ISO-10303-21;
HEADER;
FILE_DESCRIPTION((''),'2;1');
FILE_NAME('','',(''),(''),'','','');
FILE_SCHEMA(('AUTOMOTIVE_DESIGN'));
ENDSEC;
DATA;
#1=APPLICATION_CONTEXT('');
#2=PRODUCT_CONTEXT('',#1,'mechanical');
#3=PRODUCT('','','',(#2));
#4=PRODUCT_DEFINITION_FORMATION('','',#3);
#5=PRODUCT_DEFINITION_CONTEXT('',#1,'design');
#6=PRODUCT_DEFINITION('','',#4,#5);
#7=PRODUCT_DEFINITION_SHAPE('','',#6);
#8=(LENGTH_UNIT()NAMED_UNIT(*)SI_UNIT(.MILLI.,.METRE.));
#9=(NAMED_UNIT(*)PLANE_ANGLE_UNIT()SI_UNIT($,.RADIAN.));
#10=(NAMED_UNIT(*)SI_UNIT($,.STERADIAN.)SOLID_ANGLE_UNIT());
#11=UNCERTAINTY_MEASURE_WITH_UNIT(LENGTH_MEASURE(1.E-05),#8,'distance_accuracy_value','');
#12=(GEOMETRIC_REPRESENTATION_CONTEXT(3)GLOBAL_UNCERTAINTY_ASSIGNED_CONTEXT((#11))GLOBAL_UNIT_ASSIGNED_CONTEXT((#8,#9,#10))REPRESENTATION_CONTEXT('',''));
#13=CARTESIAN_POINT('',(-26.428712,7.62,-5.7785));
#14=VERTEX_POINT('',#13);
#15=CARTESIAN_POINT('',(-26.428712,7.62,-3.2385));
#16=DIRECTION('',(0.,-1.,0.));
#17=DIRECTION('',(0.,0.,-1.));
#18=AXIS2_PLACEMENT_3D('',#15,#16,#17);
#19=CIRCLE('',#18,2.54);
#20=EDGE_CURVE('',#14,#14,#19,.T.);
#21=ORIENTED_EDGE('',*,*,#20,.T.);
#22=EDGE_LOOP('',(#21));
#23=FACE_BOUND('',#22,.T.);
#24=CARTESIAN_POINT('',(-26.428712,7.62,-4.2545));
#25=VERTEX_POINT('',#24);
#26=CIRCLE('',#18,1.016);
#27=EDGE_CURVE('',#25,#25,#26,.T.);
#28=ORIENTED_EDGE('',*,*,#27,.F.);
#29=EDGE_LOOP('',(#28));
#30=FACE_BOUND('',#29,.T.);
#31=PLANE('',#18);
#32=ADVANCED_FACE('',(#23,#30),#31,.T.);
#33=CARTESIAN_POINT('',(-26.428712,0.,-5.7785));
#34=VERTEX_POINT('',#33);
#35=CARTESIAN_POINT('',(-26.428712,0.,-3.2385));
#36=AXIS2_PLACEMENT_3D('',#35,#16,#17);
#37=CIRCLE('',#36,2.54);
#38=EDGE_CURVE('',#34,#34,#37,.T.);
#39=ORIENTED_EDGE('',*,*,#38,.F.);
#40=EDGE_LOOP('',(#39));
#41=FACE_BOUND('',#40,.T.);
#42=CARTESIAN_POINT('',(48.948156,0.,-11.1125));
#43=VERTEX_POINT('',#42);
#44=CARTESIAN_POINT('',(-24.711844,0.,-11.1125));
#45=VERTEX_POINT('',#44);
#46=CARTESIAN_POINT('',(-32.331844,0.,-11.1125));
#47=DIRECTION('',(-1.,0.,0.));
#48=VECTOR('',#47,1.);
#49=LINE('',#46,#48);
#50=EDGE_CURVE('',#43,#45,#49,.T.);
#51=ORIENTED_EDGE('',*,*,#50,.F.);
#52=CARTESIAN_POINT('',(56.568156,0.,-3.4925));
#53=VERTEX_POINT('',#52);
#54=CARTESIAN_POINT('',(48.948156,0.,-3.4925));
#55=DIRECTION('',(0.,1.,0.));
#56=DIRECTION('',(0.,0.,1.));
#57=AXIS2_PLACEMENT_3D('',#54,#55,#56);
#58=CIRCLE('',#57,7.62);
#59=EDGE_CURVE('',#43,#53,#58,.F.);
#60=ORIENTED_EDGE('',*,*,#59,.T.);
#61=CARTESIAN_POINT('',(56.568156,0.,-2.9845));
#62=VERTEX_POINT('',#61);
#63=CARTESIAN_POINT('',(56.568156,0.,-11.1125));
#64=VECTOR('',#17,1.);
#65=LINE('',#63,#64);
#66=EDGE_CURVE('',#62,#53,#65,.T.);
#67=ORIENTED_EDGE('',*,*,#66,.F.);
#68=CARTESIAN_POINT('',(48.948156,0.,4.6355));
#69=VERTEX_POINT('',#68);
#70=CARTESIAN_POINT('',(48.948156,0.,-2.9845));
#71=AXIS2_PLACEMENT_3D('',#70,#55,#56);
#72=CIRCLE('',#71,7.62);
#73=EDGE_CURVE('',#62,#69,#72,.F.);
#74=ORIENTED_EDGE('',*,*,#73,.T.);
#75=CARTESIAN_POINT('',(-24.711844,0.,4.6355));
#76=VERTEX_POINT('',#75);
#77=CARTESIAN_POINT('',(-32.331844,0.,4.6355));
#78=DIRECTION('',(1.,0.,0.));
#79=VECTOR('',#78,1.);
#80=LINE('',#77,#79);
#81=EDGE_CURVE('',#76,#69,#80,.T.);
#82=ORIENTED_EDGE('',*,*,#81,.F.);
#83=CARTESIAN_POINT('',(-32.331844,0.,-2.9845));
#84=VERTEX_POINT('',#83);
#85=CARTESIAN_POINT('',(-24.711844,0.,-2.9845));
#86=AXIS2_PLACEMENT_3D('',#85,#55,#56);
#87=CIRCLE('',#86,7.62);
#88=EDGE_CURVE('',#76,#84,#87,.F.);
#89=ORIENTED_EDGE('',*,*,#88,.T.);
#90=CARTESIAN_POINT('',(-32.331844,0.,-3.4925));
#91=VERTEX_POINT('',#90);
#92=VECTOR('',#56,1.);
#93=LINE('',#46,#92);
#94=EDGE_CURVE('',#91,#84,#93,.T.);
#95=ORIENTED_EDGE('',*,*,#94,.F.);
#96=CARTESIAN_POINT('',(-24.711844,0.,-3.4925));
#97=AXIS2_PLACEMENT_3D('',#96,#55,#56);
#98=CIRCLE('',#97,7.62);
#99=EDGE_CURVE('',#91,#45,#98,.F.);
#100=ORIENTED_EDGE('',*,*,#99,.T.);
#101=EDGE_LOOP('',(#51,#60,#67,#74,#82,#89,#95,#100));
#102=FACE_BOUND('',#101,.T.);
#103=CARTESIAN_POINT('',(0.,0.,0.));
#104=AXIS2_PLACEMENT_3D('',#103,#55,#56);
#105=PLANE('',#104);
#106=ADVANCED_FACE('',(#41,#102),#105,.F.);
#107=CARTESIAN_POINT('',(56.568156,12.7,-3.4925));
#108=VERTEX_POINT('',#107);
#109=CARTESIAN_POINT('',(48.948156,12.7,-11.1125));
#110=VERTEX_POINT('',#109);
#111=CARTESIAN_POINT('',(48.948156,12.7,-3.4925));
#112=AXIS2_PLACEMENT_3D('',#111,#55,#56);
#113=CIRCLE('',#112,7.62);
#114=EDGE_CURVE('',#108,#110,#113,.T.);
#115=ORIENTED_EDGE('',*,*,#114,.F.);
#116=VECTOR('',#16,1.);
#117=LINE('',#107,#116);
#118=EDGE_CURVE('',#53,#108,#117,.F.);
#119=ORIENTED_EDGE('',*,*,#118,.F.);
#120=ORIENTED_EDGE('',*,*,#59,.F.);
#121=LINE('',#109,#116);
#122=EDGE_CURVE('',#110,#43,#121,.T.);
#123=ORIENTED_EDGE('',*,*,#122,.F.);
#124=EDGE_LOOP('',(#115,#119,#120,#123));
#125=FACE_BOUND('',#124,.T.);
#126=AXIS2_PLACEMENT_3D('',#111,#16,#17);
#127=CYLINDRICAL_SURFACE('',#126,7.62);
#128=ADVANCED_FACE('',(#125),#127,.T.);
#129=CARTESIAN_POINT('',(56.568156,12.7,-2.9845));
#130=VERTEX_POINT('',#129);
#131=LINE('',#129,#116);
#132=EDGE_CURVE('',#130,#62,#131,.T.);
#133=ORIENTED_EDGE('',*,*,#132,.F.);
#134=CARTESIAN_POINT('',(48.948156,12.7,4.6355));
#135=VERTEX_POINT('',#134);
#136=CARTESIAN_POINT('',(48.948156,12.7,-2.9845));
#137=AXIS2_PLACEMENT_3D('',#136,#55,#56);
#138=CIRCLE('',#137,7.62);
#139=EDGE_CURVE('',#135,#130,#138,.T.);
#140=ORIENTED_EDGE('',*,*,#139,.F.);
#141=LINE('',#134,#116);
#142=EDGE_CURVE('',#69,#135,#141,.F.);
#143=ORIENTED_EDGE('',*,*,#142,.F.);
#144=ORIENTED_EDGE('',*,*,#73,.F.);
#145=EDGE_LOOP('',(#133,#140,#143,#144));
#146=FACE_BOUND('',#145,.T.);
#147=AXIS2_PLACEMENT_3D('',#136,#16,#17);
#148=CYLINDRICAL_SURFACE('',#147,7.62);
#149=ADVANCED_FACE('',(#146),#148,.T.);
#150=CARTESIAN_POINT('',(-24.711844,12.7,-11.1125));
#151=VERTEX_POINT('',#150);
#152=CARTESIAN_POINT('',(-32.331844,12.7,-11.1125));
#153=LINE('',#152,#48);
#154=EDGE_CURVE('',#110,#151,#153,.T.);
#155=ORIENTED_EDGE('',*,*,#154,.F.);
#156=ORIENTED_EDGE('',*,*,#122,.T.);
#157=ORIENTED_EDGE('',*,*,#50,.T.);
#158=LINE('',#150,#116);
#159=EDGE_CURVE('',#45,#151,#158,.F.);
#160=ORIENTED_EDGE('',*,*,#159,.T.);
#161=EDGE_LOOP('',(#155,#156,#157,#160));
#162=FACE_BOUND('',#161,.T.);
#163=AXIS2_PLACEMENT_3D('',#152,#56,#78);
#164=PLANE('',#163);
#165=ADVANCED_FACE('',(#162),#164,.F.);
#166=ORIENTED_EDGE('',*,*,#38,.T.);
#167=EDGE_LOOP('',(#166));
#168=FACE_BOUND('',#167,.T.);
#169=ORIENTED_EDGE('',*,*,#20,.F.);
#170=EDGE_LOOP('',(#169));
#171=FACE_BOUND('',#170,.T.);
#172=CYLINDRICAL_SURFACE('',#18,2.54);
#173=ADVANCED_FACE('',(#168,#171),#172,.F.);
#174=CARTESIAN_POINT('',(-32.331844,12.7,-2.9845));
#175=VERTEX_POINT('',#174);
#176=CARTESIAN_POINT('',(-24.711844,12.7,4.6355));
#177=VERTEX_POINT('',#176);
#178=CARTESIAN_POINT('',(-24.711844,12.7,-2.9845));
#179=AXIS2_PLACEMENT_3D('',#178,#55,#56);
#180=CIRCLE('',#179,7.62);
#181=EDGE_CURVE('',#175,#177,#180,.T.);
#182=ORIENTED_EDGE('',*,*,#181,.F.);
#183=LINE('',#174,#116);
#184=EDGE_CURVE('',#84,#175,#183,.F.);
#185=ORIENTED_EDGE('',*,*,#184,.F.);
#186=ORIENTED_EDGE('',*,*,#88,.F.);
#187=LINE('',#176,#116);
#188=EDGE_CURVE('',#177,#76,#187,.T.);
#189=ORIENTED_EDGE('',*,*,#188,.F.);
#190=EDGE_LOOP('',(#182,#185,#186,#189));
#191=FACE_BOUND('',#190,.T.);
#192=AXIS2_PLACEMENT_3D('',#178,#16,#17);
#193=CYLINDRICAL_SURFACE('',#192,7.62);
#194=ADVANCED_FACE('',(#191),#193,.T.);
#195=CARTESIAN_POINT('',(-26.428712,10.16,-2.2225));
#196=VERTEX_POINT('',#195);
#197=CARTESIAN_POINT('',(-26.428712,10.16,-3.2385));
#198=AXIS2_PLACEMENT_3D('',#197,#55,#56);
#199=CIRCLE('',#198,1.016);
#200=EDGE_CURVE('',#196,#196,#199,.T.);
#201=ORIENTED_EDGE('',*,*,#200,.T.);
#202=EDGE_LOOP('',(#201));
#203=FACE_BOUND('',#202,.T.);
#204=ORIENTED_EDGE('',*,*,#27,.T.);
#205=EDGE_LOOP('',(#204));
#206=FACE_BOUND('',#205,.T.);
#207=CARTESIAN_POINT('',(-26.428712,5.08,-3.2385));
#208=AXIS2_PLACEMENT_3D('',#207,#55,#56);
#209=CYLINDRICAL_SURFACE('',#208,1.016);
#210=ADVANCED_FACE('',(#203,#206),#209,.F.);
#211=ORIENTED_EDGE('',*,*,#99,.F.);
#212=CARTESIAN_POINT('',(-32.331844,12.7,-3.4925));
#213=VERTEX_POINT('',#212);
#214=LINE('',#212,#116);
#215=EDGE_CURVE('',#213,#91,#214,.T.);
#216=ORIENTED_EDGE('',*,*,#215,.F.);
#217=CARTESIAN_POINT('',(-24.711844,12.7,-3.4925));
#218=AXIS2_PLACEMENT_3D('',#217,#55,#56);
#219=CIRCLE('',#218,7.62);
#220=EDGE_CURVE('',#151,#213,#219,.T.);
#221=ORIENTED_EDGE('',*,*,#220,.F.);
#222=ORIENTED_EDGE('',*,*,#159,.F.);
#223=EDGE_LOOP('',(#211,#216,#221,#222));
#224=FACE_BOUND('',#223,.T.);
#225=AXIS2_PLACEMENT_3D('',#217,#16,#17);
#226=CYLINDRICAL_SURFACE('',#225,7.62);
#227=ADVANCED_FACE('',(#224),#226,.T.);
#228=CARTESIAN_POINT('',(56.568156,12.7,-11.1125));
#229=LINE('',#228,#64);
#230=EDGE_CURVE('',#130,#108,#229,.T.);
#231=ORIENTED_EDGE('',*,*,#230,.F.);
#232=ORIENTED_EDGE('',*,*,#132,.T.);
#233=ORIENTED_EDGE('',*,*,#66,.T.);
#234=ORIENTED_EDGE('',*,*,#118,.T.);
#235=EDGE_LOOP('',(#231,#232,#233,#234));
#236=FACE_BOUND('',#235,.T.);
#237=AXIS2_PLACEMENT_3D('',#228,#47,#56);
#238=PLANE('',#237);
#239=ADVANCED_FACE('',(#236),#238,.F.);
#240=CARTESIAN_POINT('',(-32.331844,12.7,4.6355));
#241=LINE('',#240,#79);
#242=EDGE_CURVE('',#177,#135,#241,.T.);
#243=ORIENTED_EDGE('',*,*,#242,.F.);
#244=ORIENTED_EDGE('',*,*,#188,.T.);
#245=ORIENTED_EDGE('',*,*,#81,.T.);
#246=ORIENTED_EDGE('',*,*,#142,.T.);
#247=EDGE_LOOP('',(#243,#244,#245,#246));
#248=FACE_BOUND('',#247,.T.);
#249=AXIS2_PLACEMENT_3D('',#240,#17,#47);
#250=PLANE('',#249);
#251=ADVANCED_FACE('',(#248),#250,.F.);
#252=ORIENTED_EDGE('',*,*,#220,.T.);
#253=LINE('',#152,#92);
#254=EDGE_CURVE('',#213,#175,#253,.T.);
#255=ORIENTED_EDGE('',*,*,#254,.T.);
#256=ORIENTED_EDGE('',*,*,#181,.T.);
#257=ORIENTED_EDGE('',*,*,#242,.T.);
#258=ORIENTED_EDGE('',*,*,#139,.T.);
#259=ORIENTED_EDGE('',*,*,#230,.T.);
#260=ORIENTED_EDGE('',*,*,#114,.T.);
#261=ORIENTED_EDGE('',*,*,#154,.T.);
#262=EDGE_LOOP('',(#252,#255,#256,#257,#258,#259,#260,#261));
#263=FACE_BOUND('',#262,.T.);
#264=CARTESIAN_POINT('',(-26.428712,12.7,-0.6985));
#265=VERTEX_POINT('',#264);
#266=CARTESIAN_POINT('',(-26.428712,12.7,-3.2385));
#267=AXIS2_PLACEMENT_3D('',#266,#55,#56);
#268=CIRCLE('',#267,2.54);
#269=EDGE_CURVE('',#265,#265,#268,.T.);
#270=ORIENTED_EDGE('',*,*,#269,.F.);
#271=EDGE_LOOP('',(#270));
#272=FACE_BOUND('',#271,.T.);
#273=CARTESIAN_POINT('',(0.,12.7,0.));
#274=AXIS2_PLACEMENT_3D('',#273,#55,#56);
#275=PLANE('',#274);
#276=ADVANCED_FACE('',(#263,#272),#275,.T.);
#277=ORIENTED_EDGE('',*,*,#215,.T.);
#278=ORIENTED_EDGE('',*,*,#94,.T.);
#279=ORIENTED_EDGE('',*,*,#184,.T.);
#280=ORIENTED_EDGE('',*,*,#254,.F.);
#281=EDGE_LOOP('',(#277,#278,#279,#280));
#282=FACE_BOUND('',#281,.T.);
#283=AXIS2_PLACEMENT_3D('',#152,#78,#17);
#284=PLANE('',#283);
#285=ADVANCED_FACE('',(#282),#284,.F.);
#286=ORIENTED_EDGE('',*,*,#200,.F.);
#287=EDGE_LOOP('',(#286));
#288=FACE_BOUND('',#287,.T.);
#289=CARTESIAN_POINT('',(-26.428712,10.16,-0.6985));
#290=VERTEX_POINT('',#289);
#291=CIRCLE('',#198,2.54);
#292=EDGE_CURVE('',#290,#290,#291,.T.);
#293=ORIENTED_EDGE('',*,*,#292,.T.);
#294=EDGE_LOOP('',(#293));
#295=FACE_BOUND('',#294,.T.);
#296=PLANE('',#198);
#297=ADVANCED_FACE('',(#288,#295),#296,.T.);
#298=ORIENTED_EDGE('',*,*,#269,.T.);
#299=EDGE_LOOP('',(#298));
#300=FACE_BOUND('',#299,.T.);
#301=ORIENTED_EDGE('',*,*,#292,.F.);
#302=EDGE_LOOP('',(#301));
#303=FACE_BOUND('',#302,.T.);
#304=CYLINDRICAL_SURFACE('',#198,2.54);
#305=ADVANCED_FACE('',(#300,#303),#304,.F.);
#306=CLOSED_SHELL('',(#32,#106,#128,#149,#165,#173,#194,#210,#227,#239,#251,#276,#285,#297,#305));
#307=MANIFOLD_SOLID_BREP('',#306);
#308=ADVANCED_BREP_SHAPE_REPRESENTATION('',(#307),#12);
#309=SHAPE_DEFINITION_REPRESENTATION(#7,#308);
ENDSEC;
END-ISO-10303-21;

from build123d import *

# Parameters (mm, degrees)
SKETCH1_W           = 88.9
SKETCH1_H           = 15.748
BOSS_EXTRUDE1_DEPTH = 12.7
FILLET1_R           = 7.62
SKETCH2_R           = 2.54
CUT_EXTRUDE1_DEPTH  = 2.54
SKETCH3_R           = 2.54
CUT_EXTRUDE2_DEPTH  = 7.62
SKETCH4_R           = 1.016
CUT_EXTRUDE3_DEPTH  = 5.08


with BuildPart() as part:
    # Sketch1 → Boss-Extrude1 (new body)
    with BuildSketch(Plane(origin=(0, 0, 0), x_dir=(1, 0, 0), z_dir=(0, 1, 0))):
        with Locations((12.118156109, 3.2385)):
            Rectangle(SKETCH1_W, SKETCH1_H)
    extrude(amount=BOSS_EXTRUDE1_DEPTH)

    # Fillet1
    fillet1_edges = [part.edges().sort_by_distance(p)[0] for p in [
        (-32.331843891, 6.35, -11.1125),
        (56.568156109, 6.35, -11.1125),
        (56.568156109, 6.35, 4.6355),
        (-32.331843891, 6.35, 4.6355),
    ]]
    fillet(fillet1_edges, radius=FILLET1_R)

    # Sketch2 → Cut-Extrude1 (cut)
    with BuildSketch(Plane(origin=(0, 12.7, 0), x_dir=(1, 0, 0), z_dir=(0, 1, 0))):
        with Locations((-26.428712343, 3.2385)):
            Circle(SKETCH2_R)
    extrude(amount=-CUT_EXTRUDE1_DEPTH, mode=Mode.SUBTRACT)

    # Sketch3 → Cut-Extrude2 (cut)
    with BuildSketch(Plane.XZ):
        with Locations((-26.428712343, -3.2385)):
            Circle(SKETCH3_R)
    extrude(amount=-CUT_EXTRUDE2_DEPTH, mode=Mode.SUBTRACT)

    # Sketch4 → Cut-Extrude3 (cut)
    with BuildSketch(Plane(origin=(0, 10.16, 0), x_dir=(1, 0, 0), z_dir=(0, 1, 0))):
        with Locations((-26.428712343, 3.2385)):
            Circle(SKETCH4_R)
    extrude(amount=-CUT_EXTRUDE3_DEPTH, mode=Mode.SUBTRACT)


solid = part.part
